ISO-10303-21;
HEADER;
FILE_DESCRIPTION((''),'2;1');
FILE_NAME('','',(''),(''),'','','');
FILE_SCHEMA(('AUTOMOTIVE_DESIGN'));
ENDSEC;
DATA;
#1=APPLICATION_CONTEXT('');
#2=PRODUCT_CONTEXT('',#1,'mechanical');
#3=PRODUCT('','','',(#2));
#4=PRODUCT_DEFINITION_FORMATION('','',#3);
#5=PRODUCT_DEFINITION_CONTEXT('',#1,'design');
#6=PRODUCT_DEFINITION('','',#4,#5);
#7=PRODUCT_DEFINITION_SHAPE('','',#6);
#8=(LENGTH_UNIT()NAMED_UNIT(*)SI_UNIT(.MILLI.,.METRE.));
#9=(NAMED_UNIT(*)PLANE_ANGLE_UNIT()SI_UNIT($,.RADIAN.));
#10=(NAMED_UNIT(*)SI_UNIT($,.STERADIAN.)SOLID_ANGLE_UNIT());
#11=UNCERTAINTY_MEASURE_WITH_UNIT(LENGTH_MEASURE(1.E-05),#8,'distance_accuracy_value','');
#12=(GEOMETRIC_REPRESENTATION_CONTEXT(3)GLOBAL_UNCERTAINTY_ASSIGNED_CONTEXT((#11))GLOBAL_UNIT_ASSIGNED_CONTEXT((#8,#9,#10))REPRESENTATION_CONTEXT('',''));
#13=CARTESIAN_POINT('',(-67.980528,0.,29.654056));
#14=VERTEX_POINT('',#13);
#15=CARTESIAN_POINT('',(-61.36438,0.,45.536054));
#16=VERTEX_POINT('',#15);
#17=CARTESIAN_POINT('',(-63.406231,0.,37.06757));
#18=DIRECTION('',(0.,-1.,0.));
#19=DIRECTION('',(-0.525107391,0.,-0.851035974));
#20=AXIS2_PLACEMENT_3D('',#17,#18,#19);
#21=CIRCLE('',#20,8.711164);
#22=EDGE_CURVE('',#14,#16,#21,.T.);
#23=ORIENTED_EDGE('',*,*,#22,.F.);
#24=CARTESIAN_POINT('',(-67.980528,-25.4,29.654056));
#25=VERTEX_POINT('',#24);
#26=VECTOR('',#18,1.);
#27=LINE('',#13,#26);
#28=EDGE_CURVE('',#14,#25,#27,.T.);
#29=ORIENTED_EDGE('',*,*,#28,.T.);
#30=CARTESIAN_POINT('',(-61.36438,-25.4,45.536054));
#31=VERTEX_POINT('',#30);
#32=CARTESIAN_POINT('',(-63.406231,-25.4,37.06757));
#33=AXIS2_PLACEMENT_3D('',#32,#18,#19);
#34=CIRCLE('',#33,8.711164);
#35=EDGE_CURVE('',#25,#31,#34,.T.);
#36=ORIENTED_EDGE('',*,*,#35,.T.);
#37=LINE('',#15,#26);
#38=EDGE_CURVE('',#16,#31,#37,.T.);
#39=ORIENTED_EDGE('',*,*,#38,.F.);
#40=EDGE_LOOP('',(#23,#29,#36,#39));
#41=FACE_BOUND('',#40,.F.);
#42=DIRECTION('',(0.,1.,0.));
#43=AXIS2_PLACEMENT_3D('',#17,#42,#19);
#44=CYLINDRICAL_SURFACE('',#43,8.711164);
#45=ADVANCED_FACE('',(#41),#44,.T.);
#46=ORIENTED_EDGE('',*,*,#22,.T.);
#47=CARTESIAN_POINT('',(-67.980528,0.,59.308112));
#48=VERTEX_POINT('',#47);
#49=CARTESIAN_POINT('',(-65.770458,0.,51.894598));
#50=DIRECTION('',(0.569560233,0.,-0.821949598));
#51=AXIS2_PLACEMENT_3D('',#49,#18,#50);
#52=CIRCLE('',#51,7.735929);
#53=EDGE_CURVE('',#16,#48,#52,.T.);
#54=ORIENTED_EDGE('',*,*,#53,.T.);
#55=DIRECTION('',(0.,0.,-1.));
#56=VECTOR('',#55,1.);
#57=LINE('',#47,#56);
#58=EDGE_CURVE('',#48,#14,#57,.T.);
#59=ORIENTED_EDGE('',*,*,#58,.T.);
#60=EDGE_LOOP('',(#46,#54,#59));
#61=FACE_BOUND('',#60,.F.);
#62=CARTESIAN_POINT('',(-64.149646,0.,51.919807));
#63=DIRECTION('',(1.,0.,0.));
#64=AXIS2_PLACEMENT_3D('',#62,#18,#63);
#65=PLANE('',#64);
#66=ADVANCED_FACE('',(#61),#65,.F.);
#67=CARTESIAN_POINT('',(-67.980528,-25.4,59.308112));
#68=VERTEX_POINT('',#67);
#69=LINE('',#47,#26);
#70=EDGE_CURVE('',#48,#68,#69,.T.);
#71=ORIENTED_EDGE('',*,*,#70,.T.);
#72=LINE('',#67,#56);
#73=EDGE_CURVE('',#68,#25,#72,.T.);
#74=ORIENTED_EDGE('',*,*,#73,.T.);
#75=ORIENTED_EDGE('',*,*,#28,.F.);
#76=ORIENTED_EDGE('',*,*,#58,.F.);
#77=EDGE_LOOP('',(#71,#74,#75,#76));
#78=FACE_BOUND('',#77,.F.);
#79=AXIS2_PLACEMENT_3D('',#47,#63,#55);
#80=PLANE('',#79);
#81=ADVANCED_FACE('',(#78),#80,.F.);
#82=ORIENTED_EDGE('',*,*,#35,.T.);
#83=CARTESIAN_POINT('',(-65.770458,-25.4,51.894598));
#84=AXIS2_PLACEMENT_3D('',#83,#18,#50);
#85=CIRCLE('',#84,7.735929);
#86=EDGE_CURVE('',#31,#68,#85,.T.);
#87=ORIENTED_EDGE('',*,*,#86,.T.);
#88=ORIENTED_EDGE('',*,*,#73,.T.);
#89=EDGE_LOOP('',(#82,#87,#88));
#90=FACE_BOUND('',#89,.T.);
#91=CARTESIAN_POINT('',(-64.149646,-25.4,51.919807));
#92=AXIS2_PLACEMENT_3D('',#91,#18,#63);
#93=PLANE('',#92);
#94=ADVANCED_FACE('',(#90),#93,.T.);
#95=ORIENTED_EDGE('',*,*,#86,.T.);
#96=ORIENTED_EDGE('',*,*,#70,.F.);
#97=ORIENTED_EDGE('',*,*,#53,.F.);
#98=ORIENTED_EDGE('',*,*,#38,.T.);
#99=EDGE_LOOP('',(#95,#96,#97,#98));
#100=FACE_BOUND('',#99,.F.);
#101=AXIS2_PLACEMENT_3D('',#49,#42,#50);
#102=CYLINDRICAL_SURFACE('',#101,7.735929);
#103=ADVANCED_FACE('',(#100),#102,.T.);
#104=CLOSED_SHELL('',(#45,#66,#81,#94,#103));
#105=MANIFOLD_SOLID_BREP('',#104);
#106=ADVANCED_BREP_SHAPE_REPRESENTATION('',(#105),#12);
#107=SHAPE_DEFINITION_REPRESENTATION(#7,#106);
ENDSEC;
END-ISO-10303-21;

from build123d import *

# Parameters (mm, degrees)
F1_DEPTH = 25.4
F2_DEPTH = 25.4


with BuildPart() as f1:
    # F0 (on Front) → F1 (new body)
    with BuildSketch(Plane.XZ):
        with BuildLine():
            ThreePointArc((-61.3643803509, 45.5360539264), (-58.7974380506, 55.244462265), (-67.9805278778, 59.3081116676))
            Line((-67.9805278778, 59.3081116676), (-67.9805278778, 44.4810837507))
            ThreePointArc((-67.9805278778, 44.4810837507), (-64.7779312404, 45.6700588436), (-61.3643803509, 45.5360539264))
        make_face()
        with BuildLine():
            ThreePointArc((-61.3643803509, 45.5360539264), (-64.5523229201, 44.2551772055), (-67.9805278778, 44.4810837507))
            Line((-67.9805278778, 44.4810837507), (-67.9805278778, 29.6540558338))
            ThreePointArc((-67.9805278778, 29.6540558338), (-55.3649138283, 33.7177052364), (-61.3643803509, 45.5360539264))
        make_face()
        with BuildLine():
            ThreePointArc((-61.3643803509, 45.5360539264), (-64.7779312404, 45.6700588436), (-67.9805278778, 44.4810837507))
            ThreePointArc((-67.9805278778, 44.4810837507), (-64.5523229201, 44.2551772055), (-61.3643803509, 45.5360539264))
        make_face()
    extrude(amount=F1_DEPTH)

    # F0 (on Front) → F2 (join)
    with BuildSketch(Plane.XZ):
        with BuildLine():
            ThreePointArc((-61.3643803509, 45.5360539264), (-58.7974380506, 55.244462265), (-67.9805278778, 59.3081116676))
            Line((-67.9805278778, 59.3081116676), (-67.9805278778, 44.4810837507))
            ThreePointArc((-67.9805278778, 44.4810837507), (-64.7779312404, 45.6700588436), (-61.3643803509, 45.5360539264))
        make_face()
        with BuildLine():
            ThreePointArc((-61.3643803509, 45.5360539264), (-64.5523229201, 44.2551772055), (-67.9805278778, 44.4810837507))
            Line((-67.9805278778, 44.4810837507), (-67.9805278778, 29.6540558338))
            ThreePointArc((-67.9805278778, 29.6540558338), (-55.3649138283, 33.7177052364), (-61.3643803509, 45.5360539264))
        make_face()
        with BuildLine():
            ThreePointArc((-61.3643803509, 45.5360539264), (-64.7779312404, 45.6700588436), (-67.9805278778, 44.4810837507))
            ThreePointArc((-67.9805278778, 44.4810837507), (-64.5523229201, 44.2551772055), (-61.3643803509, 45.5360539264))
        make_face()
    extrude(amount=F2_DEPTH)


solid = f1.part
